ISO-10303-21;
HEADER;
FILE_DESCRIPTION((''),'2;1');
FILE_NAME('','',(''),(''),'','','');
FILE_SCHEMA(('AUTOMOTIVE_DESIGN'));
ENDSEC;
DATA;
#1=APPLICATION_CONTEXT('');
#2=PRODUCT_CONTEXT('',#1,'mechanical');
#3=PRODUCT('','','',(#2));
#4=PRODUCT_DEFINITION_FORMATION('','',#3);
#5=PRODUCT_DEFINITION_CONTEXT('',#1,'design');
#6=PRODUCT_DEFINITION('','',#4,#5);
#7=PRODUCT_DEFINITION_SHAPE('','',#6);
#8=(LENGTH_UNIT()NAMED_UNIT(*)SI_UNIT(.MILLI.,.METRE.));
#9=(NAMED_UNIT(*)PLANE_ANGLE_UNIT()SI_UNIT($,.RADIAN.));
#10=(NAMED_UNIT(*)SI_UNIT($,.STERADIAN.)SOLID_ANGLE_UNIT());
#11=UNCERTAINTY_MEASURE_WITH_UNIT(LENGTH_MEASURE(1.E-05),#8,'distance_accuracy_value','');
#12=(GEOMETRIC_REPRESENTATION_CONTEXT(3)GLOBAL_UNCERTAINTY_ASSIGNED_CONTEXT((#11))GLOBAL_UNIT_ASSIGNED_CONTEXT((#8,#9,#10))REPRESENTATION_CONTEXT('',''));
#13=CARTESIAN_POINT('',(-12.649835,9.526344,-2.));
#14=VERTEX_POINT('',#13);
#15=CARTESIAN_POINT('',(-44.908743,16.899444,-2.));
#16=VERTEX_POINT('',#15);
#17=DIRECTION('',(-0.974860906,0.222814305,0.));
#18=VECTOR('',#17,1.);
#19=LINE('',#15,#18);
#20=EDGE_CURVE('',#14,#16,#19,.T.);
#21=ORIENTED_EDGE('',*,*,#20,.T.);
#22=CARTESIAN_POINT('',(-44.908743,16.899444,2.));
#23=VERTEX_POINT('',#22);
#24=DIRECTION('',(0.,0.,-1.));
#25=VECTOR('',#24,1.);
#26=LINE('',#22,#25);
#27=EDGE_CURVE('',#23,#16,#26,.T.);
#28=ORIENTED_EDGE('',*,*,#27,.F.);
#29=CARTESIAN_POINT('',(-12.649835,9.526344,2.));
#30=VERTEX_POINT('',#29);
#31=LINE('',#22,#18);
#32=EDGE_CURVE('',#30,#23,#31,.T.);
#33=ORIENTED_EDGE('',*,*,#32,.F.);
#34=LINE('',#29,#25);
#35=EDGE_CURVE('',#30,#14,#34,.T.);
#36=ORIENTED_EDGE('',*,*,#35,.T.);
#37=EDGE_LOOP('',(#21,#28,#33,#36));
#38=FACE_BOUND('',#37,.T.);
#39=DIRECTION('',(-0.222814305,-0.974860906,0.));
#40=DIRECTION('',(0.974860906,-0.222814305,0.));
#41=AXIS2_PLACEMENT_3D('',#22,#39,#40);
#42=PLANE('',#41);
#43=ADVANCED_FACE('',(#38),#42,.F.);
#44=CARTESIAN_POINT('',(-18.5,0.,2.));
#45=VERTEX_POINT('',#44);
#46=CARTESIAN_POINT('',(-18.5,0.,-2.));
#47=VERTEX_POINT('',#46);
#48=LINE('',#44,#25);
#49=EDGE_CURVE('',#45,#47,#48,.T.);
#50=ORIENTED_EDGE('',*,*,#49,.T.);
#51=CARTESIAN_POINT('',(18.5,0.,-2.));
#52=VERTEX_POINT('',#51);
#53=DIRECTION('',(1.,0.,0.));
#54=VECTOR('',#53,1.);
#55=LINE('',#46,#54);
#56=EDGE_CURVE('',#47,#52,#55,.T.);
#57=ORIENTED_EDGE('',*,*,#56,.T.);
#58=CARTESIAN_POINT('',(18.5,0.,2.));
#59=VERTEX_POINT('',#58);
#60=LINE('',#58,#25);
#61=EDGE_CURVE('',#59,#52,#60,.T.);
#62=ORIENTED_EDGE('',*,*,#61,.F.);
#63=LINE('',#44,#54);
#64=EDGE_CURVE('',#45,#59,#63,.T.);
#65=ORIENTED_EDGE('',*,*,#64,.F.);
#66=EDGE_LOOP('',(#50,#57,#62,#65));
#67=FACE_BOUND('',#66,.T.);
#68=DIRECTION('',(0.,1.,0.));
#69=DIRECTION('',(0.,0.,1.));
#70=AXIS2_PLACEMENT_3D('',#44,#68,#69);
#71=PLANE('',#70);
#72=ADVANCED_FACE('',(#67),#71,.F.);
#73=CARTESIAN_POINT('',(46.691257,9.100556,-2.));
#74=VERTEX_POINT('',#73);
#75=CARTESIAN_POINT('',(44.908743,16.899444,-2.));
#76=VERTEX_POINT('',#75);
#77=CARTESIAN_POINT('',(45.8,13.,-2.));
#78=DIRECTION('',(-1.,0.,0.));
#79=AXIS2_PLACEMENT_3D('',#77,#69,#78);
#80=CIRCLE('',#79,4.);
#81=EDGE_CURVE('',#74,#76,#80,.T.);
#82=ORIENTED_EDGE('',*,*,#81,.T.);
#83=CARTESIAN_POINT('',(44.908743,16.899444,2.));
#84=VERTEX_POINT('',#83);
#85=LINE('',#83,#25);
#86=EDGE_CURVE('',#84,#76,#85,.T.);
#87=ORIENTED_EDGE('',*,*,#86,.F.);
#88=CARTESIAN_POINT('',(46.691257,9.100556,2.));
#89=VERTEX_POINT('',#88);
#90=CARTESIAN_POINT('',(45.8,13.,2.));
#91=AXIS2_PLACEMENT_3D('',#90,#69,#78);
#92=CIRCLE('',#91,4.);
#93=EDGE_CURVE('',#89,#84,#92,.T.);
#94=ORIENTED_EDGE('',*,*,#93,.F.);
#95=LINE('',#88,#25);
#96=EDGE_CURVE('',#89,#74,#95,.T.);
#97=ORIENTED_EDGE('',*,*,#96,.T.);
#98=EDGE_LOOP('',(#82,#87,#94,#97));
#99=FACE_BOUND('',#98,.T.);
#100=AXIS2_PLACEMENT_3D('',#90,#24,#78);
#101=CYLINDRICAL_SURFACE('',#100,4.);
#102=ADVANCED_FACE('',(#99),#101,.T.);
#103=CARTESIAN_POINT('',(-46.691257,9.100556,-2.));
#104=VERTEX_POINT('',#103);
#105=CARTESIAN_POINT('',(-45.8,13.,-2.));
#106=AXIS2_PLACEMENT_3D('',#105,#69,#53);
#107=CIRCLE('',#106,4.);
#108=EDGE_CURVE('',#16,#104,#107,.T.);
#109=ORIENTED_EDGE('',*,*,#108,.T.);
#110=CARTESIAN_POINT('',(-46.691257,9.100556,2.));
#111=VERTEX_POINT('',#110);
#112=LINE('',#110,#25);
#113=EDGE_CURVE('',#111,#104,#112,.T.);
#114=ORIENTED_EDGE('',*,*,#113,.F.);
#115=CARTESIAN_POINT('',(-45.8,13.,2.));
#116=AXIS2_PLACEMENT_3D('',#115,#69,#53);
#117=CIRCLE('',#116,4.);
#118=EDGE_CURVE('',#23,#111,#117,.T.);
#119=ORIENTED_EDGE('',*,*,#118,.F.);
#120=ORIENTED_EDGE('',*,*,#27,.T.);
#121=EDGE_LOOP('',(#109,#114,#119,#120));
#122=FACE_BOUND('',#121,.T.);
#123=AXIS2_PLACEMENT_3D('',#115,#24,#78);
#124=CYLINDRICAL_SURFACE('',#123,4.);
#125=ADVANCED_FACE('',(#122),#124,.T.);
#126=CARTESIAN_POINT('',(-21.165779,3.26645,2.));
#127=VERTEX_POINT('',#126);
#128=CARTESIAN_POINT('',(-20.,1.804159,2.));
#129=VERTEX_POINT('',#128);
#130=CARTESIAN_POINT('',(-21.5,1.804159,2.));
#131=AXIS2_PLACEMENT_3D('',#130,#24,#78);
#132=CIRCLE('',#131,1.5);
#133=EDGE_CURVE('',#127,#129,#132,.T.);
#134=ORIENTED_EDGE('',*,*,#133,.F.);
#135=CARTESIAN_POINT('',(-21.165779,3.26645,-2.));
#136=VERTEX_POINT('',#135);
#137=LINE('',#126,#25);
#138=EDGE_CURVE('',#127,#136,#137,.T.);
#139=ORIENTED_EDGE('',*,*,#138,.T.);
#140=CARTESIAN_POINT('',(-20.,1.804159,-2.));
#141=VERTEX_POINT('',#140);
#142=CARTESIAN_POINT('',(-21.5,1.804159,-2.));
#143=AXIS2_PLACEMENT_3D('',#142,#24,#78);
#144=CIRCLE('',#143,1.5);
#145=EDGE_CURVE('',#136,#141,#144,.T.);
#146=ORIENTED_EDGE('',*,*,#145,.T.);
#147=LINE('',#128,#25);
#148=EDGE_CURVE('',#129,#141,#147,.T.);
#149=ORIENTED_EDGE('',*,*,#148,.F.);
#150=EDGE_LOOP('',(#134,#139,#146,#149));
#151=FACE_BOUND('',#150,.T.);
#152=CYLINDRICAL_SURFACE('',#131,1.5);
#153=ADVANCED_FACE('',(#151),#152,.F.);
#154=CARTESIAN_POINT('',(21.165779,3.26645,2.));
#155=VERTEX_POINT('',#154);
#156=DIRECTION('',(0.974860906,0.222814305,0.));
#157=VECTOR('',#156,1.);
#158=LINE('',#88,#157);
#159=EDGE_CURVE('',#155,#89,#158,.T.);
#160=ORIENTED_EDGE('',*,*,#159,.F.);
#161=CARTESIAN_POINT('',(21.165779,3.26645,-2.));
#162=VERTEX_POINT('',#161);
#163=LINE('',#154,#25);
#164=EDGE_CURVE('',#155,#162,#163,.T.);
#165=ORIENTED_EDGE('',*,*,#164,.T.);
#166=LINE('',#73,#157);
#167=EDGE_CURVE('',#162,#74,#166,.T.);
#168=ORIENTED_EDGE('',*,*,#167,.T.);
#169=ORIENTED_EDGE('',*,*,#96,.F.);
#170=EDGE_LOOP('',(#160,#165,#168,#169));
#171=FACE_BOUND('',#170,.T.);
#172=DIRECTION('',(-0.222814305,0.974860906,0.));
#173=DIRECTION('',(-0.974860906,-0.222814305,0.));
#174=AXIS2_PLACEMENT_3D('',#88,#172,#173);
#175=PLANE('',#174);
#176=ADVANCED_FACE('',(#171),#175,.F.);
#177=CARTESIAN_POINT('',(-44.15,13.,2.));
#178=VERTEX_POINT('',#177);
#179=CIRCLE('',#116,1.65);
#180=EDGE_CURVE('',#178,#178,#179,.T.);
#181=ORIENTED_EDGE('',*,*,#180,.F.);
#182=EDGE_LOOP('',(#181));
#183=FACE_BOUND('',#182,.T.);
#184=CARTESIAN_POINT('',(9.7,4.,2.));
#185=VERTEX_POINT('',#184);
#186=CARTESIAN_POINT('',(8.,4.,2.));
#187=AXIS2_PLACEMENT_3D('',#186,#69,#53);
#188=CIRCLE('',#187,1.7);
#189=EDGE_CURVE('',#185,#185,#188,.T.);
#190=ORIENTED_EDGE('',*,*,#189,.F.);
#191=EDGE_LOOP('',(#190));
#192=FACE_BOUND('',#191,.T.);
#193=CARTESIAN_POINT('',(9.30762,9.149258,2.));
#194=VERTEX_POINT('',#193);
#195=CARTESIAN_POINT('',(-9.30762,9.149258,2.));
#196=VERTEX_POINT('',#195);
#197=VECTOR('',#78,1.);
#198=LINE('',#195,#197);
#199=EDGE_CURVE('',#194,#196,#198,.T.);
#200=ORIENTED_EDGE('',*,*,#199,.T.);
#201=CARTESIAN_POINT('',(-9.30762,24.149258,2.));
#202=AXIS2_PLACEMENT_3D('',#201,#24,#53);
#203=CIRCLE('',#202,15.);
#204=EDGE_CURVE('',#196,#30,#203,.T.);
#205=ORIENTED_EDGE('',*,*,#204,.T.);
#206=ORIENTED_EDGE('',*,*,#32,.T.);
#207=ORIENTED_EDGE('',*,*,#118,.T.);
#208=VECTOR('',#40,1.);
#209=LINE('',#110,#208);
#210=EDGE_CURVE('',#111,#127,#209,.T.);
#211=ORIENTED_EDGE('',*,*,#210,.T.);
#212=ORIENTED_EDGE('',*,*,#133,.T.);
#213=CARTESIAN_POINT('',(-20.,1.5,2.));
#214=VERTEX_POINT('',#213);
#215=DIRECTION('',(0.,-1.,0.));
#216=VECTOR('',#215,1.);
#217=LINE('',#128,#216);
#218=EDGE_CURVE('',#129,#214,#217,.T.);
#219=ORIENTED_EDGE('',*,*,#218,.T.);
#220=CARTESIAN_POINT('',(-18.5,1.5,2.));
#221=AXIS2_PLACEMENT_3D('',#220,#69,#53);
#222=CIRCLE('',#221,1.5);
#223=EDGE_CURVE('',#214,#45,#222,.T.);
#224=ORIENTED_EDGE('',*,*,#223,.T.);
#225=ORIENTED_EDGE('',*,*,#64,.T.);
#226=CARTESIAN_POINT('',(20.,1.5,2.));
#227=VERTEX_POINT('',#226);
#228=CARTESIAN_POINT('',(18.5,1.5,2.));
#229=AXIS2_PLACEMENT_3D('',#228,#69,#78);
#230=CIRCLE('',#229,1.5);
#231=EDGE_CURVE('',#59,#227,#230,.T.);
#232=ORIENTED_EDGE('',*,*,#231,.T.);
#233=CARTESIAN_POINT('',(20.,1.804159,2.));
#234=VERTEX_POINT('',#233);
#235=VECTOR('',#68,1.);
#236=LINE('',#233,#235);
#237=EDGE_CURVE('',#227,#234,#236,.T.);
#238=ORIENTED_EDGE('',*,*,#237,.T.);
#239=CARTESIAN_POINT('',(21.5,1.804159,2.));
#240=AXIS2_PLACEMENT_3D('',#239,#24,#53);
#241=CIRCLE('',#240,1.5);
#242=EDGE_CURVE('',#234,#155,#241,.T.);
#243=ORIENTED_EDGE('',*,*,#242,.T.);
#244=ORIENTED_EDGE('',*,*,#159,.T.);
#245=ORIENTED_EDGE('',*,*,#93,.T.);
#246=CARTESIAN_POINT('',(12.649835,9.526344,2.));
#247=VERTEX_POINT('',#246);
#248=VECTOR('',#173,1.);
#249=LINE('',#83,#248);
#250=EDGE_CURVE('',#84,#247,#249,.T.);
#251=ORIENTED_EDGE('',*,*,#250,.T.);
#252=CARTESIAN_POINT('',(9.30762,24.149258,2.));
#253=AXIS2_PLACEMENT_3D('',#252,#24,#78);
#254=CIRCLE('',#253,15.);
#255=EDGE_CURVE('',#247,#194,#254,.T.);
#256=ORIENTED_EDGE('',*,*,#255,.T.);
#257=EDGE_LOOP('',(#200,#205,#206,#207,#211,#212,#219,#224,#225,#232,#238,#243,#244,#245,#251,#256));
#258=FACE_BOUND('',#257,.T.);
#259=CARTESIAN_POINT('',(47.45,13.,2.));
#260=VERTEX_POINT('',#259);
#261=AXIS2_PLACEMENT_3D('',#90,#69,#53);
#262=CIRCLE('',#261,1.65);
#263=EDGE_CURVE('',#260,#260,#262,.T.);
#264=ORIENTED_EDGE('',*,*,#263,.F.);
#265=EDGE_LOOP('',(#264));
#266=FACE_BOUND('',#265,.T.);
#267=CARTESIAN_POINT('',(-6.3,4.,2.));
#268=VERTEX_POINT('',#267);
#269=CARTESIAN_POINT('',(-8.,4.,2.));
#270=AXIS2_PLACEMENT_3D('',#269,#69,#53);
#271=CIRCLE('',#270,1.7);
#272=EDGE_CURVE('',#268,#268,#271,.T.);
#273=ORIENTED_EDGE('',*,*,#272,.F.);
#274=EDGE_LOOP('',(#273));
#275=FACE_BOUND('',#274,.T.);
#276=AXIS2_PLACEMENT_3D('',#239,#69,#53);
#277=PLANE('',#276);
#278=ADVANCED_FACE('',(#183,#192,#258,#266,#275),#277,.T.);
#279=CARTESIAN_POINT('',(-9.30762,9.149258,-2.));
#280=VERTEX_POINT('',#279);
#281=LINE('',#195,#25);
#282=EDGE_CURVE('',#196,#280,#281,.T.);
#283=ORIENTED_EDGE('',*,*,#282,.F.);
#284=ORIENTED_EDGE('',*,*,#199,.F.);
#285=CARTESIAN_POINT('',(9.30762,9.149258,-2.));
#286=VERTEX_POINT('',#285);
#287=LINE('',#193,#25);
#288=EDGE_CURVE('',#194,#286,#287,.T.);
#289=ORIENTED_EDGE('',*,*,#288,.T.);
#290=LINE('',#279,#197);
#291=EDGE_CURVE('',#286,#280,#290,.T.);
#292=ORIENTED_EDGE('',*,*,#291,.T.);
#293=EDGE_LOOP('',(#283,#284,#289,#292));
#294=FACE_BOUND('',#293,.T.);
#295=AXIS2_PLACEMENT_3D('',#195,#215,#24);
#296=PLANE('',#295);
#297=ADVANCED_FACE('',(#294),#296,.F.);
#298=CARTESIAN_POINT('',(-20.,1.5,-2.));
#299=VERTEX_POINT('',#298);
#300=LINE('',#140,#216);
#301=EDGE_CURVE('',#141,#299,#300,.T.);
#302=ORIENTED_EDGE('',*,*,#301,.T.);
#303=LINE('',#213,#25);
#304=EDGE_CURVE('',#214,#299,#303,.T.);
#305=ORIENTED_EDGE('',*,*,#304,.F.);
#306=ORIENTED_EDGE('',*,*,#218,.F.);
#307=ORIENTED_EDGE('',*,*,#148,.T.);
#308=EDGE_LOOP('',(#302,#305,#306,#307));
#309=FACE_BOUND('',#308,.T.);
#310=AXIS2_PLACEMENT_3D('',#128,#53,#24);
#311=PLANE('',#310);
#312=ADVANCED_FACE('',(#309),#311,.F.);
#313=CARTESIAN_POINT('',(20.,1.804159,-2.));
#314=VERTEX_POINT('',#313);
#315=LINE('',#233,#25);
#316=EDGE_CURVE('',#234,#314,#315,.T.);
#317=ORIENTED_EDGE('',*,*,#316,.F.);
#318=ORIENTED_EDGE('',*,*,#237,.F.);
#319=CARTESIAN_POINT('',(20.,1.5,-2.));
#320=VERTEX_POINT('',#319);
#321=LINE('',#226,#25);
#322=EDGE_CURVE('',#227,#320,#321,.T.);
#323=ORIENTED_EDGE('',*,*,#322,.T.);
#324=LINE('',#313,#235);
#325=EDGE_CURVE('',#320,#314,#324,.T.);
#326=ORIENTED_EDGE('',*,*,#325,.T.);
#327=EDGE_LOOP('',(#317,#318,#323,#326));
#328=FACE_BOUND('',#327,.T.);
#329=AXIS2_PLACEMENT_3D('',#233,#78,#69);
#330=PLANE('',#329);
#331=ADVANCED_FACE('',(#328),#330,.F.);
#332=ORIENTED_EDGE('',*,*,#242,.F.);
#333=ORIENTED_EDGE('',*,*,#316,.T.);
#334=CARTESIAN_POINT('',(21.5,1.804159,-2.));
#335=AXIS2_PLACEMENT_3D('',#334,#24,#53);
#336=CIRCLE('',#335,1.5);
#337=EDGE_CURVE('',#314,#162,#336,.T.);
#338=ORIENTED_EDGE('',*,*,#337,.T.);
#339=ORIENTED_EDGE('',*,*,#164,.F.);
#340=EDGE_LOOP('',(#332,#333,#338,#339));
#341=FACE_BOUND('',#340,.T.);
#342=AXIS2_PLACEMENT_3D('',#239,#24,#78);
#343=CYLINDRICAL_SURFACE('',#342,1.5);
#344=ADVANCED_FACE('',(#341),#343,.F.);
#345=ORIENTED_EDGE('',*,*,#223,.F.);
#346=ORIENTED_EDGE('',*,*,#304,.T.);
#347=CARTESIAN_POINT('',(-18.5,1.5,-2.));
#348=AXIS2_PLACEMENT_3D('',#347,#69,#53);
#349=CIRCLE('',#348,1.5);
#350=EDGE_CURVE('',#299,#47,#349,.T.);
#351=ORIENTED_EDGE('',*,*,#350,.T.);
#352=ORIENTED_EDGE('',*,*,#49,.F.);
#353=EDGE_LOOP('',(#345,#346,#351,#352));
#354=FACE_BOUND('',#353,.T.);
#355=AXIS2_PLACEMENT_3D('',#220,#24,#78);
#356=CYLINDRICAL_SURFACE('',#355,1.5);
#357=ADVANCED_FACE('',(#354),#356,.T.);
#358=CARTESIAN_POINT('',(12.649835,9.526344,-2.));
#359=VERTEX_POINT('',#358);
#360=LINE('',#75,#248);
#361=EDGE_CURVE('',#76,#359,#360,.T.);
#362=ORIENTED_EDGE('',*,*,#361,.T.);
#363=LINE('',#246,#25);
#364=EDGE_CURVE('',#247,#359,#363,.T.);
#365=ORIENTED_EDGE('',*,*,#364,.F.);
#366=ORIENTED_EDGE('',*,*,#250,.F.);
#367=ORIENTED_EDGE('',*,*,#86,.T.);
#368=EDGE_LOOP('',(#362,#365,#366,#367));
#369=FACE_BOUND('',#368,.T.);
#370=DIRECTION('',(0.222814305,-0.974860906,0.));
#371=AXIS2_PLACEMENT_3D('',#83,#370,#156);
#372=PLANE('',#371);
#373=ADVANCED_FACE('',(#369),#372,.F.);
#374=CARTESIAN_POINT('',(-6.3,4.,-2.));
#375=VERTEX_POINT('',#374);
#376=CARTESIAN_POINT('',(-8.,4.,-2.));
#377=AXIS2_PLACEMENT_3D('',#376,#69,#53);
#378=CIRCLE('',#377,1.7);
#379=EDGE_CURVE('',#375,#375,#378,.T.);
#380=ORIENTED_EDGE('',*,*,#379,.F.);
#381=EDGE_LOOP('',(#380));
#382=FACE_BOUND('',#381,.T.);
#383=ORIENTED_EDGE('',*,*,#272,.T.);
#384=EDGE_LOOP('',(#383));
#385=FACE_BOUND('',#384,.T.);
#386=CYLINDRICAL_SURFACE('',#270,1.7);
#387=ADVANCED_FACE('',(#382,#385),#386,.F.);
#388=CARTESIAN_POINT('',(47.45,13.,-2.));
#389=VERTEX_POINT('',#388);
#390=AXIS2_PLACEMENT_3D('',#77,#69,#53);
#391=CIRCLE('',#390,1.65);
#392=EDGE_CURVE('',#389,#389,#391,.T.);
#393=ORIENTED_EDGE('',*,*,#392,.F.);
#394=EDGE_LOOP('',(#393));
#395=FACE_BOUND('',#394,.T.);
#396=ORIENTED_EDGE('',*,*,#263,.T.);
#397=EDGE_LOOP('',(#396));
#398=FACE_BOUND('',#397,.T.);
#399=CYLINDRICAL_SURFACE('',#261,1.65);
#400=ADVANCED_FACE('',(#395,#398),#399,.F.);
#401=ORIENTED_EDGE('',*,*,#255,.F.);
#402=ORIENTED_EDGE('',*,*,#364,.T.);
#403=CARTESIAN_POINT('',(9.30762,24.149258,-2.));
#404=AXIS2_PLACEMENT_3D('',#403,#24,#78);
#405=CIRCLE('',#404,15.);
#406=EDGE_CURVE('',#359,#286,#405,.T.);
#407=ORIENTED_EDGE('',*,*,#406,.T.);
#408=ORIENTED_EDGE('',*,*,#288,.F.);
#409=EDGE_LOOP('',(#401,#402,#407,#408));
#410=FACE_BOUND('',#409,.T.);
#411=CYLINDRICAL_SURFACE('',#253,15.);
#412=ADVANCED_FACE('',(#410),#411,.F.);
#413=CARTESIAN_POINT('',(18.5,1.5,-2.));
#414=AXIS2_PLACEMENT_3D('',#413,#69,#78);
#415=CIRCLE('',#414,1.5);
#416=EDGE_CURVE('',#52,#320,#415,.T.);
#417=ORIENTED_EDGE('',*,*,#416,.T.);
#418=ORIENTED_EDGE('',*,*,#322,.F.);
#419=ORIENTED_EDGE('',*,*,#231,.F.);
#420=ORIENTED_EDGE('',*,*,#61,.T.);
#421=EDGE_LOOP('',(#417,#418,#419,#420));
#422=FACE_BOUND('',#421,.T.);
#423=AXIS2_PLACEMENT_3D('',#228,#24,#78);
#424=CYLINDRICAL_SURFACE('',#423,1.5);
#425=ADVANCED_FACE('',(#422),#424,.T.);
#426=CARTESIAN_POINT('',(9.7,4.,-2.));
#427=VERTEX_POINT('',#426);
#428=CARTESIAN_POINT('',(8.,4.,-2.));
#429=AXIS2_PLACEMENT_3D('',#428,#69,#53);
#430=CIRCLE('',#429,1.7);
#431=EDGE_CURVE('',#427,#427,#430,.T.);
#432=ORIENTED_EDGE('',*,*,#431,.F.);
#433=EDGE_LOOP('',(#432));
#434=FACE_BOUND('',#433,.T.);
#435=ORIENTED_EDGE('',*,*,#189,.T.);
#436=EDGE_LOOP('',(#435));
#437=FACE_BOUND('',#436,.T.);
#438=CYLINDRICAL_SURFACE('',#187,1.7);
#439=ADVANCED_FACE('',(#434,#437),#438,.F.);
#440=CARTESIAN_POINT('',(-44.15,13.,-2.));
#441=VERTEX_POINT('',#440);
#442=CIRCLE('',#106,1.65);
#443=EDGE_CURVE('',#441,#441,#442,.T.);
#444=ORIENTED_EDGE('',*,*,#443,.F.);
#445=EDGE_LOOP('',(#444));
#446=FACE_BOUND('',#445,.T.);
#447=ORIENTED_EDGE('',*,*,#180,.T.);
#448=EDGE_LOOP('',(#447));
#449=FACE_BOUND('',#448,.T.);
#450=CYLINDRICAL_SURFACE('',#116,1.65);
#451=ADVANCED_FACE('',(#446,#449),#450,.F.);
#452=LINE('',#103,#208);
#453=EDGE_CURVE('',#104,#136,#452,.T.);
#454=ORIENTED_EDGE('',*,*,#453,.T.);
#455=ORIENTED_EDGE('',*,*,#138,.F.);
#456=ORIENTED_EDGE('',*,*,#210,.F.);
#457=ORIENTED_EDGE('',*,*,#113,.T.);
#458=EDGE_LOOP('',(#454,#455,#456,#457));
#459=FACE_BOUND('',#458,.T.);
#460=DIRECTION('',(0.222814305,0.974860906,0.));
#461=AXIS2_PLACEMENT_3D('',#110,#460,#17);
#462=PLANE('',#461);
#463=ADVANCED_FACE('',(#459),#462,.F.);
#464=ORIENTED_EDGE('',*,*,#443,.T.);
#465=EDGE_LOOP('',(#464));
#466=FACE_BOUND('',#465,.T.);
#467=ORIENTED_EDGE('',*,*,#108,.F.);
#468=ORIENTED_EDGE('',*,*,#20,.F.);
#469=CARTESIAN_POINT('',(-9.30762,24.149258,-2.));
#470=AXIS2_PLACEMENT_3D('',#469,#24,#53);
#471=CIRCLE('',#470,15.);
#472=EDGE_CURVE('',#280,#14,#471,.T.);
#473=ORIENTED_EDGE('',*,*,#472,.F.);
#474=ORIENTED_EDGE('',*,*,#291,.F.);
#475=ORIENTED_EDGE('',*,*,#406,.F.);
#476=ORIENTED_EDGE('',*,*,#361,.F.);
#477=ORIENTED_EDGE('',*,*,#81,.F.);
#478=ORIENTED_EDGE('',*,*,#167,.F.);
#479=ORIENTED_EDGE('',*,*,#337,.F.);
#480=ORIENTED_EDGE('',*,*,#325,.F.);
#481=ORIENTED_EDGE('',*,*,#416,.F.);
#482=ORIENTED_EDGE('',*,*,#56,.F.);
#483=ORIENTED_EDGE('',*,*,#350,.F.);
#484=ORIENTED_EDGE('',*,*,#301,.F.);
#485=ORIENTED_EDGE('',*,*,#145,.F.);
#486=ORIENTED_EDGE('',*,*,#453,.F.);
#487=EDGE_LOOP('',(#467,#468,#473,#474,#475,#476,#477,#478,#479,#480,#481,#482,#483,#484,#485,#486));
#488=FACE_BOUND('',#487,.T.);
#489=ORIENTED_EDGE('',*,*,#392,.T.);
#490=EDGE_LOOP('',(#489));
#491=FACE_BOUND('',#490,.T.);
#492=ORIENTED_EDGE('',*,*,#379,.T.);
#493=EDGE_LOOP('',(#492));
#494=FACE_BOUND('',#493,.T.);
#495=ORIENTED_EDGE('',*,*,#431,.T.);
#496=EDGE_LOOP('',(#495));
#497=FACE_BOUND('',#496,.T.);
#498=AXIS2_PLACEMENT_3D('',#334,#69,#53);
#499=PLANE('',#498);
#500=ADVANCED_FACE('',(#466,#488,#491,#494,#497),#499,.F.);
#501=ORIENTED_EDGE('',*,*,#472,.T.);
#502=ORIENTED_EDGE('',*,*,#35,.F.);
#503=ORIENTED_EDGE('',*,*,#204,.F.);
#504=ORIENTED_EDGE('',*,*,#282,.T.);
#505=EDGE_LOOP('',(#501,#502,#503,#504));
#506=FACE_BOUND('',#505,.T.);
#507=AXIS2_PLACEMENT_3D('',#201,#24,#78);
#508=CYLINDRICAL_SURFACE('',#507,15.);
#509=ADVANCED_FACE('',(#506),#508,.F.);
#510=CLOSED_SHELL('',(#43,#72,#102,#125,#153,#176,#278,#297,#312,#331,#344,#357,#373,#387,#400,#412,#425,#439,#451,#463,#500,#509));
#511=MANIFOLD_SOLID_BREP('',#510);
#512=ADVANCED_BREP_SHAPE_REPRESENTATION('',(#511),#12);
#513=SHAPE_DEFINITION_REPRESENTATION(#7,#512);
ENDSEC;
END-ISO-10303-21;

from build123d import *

# Parameters (mm, degrees)
SKETCH2_R             = 0.5
BASE_DEPTH            = 2
M3_CLEARANCE_HOLE1_D  = 3.4
M4X0_7_TAPPED_HOLE1_D = 3.3


with BuildPart() as part:
    # Sketch2 → Base (new body, symmetric)
    with BuildSketch(Plane.XY):
        with BuildLine():
            Line((-18.5, 0), (18.5, 0))
            ThreePointArc((18.5, 0), (19.560660172, 0.439339828), (20, 1.5))
            Line((20, 1.5), (20, 1.8041591))
            ThreePointArc((20, 1.8041591), (20.327112072, 2.739217337), (21.165778543, 3.266450459))
            Line((21.165778543, 3.266450459), (46.691257218, 9.100556377))
            ThreePointArc((46.691257218, 9.100556377), (49.699443623, 13.891257218), (44.908742782, 16.899443623))
            Line((44.908742782, 16.899443623), (12.649834838, 9.526344449))
            ThreePointArc((12.649834838, 9.526344449), (10.989330142, 9.243827753), (9.307620269, 9.149258036))
            Line((9.307620269, 9.149258036), (-9.307620269, 9.149258036))
            ThreePointArc((-9.307620269, 9.149258036), (-10.989330142, 9.243827753), (-12.649834838, 9.526344449))
            Line((-12.649834838, 9.526344449), (-44.908742782, 16.899443623))
            ThreePointArc((-44.908742782, 16.899443623), (-49.699443623, 13.891257218), (-46.691257218, 9.100556377))
            Line((-46.691257218, 9.100556377), (-21.165778543, 3.266450459))
            ThreePointArc((-21.165778543, 3.266450459), (-20.327112072, 2.739217337), (-20, 1.8041591))
            Line((-20, 1.8041591), (-20, 1.5))
            ThreePointArc((-20, 1.5), (-19.560660172, 0.439339828), (-18.5, 0))
        make_face()
        with Locations((-45.8, 13)):
            Circle(SKETCH2_R, mode=Mode.SUBTRACT)
        with Locations((-8, 4)):
            Circle(SKETCH2_R, mode=Mode.SUBTRACT)
        with Locations((8, 4)):
            Circle(SKETCH2_R, mode=Mode.SUBTRACT)
        with Locations((45.8, 13)):
            Circle(SKETCH2_R, mode=Mode.SUBTRACT)
    extrude(amount=BASE_DEPTH, both=True)

    # M3 Clearance Hole1 (through all)
    with Locations(Plane(origin=(0, 4, 2), x_dir=(1, 0, 0), z_dir=(0, 0, 1))):
        with Locations((-8, 0), (8, 0)):
            Hole(M3_CLEARANCE_HOLE1_D / 2)

    # M4x0.7 Tapped Hole1 (through all)
    with Locations(Plane(origin=(0, 0, 2), x_dir=(-1, 0, 0), z_dir=(0, 0, 1))):
        with Locations((-45.8, -13), (45.8, -13)):
            Hole(M4X0_7_TAPPED_HOLE1_D / 2)


solid = part.part
